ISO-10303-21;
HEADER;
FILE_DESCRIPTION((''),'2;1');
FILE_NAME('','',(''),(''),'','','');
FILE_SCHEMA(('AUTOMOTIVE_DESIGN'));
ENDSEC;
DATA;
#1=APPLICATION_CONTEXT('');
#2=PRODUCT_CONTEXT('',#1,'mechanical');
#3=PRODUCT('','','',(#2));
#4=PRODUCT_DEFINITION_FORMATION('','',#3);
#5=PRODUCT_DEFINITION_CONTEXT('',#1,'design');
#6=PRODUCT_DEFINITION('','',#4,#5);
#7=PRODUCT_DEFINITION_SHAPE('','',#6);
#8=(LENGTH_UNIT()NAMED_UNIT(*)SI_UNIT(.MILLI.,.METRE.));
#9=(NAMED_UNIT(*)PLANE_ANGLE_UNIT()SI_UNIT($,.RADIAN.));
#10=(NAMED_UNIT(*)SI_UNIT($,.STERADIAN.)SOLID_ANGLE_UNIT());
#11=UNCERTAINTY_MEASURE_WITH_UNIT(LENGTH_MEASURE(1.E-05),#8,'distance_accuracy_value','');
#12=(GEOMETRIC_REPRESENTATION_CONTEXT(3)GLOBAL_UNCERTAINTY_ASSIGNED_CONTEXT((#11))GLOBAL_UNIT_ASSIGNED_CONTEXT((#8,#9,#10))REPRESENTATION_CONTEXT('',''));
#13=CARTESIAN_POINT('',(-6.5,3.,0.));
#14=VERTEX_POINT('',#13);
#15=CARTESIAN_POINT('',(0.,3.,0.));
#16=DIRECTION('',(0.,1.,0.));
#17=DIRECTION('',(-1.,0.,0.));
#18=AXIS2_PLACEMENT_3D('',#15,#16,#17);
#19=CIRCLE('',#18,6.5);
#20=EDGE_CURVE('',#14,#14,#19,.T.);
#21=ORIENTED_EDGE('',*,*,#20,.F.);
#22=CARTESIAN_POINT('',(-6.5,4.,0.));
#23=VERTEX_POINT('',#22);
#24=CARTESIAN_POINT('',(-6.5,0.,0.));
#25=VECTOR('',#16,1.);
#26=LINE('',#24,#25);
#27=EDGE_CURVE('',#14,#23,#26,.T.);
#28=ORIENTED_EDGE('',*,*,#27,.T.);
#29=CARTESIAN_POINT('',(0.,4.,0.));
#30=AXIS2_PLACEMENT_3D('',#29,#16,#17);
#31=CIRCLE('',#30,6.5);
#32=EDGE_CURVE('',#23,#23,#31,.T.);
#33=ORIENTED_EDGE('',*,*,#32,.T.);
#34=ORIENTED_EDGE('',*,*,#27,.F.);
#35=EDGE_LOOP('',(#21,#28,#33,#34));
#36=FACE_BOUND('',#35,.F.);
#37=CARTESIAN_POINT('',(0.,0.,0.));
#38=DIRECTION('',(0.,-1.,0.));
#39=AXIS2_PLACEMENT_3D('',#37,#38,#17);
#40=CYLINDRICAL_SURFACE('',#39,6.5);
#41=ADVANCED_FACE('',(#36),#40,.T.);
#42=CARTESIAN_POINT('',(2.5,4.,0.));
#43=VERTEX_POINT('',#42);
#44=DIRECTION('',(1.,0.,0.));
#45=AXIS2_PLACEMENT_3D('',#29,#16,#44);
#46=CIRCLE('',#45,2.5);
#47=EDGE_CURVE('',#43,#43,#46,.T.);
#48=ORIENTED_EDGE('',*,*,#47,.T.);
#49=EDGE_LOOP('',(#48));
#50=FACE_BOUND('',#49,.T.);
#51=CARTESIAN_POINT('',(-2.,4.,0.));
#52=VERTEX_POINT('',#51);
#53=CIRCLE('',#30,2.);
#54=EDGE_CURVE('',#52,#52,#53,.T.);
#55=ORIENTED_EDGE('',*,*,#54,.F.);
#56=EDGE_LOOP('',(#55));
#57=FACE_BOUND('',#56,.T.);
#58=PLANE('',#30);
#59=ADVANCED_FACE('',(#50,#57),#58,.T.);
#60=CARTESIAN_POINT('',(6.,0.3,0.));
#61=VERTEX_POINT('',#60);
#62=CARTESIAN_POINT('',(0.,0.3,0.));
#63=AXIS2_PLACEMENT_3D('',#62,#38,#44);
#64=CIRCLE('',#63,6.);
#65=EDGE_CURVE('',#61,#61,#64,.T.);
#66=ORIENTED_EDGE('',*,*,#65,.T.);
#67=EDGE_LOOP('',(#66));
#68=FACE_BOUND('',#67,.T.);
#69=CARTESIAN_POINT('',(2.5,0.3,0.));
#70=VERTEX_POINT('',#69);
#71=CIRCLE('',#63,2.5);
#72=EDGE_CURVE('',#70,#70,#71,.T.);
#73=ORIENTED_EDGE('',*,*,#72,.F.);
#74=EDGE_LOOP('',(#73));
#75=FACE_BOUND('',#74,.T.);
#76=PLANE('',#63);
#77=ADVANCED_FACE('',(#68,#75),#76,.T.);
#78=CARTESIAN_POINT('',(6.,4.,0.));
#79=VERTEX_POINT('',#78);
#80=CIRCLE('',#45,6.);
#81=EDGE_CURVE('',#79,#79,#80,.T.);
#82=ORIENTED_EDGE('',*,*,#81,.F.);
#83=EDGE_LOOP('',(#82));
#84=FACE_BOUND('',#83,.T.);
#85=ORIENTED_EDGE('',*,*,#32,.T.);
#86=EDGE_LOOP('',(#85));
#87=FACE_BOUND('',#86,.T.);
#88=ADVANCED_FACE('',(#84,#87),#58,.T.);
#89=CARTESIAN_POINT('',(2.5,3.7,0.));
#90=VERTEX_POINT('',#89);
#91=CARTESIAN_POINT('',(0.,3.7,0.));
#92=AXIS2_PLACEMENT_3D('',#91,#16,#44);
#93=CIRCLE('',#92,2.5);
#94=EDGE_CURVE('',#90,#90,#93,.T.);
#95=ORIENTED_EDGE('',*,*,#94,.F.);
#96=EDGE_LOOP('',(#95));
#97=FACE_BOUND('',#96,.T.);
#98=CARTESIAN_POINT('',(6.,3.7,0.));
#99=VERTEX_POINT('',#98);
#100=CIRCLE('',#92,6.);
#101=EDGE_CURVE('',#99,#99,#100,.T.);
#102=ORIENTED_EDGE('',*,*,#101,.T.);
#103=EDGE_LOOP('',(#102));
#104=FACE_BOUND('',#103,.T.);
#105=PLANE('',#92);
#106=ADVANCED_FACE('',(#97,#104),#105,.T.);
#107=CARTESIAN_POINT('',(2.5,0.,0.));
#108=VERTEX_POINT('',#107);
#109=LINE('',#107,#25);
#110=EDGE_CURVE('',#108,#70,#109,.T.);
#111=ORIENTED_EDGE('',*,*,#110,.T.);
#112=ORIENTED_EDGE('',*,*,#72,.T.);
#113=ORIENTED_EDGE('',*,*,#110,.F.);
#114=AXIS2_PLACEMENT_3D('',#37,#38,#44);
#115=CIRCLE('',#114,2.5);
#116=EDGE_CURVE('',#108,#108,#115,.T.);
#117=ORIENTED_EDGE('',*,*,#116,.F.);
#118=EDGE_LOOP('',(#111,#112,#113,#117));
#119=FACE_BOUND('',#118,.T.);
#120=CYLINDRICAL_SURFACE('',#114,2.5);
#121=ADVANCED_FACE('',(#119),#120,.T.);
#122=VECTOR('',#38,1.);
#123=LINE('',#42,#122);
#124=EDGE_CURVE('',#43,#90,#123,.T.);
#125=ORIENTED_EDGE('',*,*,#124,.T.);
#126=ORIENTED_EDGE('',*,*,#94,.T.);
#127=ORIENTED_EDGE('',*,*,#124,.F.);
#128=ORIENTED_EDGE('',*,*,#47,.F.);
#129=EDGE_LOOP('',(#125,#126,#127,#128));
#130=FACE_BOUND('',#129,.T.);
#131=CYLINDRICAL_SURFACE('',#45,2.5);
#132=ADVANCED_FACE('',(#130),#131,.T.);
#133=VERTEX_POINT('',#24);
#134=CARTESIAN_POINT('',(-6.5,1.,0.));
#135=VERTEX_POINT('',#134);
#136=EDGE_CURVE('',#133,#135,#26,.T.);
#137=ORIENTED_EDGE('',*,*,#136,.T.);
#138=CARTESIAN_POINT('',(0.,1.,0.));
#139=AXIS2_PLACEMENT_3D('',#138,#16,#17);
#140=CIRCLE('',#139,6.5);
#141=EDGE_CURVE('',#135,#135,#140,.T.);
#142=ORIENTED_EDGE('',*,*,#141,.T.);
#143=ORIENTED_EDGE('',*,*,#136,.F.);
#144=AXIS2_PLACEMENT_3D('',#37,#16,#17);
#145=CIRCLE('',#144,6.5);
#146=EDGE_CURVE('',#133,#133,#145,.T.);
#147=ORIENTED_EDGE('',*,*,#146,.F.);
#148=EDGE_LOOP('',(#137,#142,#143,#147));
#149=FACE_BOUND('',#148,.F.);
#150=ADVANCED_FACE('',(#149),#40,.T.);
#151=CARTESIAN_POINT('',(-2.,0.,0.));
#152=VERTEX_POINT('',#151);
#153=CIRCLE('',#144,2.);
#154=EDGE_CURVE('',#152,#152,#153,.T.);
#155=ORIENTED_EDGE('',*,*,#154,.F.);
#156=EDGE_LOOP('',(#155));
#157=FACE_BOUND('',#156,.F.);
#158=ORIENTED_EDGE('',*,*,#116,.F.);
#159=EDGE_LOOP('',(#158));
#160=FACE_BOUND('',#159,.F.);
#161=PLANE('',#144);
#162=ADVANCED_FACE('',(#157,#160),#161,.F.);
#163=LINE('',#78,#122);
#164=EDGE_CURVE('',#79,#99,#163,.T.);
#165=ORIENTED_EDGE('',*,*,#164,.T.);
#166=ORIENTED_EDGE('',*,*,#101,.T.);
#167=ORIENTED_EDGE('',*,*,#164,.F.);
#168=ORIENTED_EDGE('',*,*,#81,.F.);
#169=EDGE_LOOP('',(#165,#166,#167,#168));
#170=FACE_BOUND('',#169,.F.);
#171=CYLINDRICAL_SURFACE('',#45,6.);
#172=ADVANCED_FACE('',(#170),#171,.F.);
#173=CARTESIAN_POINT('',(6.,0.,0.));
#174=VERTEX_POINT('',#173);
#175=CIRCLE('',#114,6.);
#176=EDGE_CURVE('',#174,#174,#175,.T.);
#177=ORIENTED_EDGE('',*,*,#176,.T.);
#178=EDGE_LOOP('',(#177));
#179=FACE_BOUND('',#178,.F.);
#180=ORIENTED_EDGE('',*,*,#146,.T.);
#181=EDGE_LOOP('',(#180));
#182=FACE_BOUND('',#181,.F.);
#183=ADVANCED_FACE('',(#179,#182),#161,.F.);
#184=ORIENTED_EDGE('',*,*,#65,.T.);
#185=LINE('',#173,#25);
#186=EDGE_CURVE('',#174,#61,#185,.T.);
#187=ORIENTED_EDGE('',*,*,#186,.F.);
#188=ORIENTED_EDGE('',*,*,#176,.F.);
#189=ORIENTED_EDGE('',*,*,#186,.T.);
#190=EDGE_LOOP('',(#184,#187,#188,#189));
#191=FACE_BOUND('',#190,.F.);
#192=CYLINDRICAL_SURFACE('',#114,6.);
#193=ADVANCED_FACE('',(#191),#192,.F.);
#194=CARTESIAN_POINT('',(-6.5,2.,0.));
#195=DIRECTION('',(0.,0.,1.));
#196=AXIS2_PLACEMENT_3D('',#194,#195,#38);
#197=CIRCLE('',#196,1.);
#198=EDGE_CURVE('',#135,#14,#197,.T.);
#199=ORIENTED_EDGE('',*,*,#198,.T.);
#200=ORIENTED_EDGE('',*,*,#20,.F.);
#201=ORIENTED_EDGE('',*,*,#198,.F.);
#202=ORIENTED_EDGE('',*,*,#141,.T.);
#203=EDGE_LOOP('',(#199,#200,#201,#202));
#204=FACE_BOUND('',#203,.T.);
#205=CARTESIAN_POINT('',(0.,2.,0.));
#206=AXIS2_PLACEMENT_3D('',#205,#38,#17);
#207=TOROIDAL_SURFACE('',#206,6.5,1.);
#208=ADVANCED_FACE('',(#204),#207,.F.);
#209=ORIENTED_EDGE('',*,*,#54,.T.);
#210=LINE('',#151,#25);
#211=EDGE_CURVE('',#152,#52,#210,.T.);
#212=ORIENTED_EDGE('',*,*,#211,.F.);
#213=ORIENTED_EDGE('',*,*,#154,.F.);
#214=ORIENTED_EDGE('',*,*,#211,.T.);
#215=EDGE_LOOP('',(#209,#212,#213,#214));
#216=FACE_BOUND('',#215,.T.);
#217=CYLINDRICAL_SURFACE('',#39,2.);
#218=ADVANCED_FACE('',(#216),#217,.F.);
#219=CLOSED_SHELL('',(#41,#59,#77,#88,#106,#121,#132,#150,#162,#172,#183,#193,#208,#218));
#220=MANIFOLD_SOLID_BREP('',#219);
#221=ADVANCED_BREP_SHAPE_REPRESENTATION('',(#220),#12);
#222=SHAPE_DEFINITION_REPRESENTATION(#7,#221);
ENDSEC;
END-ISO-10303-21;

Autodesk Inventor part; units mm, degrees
ref_plane "YZ Plane" through (0, 0, 0) normal (1, 0, 0) x (0, 1, 0)
sketch "Эскиз1" plane through (0, 0, 0) normal (0, 1, 0) x (-1, 0, 0)
  circle A0 centre (0, 0) radius 2
  circle A1 centre (0, 0) radius 6.5
  dimension "d1" = 4
  dimension "d2" = 13
extrude "Выдавливание1" add sketch "Эскиз1" along normal blind 4
sketch "Эскиз2" plane through (0, 4, 0) normal (0, 1, 0) x (1, 0, 0)
  circle A0 centre (0, 0) radius 2 projected
  circle A1 centre (0, 0) radius 2.5
  circle A2 centre (0, 0) radius 6
  dimension "d5" = 5
  dimension "d6" = 12
extrude "Выдавливание2" cut sketch "Эскиз2" against normal blind 0.3 contours A2
sketch "Эскиз3" plane through (0, 0, 0) normal (0, -1, 0) x (1, 0, 0)
  circle A0 centre (0, 0) radius 2.5
  circle A1 centre (0, 0) radius 6
  dimension "d9" = 5
  dimension "d10" = 12
extrude "Выдавливание3" cut sketch "Эскиз3" against normal blind 0.3
ref_plane "РабПлоскость1" through (0, 2, 0) normal (0, 1, 0) x (1, 0, 0)
sketch "Эскиз4" plane through (0, 2, 0) normal (0, 1, 0) x (1, 0, 0)
  circle A0 centre (0, 0) radius 6.5
  dimension "d13" = 13
ref_plane "РабПлоскость2" through (0, 0, 0) normal (0, 0, 1) x (1, 0, 0)
sketch "Эскиз6" plane through (0, 0, 0) normal (0, 0, 1) x (1, 0, 0)
  line L0 (-6.5, 0) -> (-6.5, 4) projected
  circle A0 centre (-6.5, 2) radius 1
  line L1 (0, -0.8) -> (0, 4.8) projected
  point P0 (0, 0)
  dimension "d15" = 2
revolve "Вращение1" cut sketch "Эскиз6" angle 360 about axis through (0, -10, 0) along (0, 1, 0)
properties part number "U-подшипник"
